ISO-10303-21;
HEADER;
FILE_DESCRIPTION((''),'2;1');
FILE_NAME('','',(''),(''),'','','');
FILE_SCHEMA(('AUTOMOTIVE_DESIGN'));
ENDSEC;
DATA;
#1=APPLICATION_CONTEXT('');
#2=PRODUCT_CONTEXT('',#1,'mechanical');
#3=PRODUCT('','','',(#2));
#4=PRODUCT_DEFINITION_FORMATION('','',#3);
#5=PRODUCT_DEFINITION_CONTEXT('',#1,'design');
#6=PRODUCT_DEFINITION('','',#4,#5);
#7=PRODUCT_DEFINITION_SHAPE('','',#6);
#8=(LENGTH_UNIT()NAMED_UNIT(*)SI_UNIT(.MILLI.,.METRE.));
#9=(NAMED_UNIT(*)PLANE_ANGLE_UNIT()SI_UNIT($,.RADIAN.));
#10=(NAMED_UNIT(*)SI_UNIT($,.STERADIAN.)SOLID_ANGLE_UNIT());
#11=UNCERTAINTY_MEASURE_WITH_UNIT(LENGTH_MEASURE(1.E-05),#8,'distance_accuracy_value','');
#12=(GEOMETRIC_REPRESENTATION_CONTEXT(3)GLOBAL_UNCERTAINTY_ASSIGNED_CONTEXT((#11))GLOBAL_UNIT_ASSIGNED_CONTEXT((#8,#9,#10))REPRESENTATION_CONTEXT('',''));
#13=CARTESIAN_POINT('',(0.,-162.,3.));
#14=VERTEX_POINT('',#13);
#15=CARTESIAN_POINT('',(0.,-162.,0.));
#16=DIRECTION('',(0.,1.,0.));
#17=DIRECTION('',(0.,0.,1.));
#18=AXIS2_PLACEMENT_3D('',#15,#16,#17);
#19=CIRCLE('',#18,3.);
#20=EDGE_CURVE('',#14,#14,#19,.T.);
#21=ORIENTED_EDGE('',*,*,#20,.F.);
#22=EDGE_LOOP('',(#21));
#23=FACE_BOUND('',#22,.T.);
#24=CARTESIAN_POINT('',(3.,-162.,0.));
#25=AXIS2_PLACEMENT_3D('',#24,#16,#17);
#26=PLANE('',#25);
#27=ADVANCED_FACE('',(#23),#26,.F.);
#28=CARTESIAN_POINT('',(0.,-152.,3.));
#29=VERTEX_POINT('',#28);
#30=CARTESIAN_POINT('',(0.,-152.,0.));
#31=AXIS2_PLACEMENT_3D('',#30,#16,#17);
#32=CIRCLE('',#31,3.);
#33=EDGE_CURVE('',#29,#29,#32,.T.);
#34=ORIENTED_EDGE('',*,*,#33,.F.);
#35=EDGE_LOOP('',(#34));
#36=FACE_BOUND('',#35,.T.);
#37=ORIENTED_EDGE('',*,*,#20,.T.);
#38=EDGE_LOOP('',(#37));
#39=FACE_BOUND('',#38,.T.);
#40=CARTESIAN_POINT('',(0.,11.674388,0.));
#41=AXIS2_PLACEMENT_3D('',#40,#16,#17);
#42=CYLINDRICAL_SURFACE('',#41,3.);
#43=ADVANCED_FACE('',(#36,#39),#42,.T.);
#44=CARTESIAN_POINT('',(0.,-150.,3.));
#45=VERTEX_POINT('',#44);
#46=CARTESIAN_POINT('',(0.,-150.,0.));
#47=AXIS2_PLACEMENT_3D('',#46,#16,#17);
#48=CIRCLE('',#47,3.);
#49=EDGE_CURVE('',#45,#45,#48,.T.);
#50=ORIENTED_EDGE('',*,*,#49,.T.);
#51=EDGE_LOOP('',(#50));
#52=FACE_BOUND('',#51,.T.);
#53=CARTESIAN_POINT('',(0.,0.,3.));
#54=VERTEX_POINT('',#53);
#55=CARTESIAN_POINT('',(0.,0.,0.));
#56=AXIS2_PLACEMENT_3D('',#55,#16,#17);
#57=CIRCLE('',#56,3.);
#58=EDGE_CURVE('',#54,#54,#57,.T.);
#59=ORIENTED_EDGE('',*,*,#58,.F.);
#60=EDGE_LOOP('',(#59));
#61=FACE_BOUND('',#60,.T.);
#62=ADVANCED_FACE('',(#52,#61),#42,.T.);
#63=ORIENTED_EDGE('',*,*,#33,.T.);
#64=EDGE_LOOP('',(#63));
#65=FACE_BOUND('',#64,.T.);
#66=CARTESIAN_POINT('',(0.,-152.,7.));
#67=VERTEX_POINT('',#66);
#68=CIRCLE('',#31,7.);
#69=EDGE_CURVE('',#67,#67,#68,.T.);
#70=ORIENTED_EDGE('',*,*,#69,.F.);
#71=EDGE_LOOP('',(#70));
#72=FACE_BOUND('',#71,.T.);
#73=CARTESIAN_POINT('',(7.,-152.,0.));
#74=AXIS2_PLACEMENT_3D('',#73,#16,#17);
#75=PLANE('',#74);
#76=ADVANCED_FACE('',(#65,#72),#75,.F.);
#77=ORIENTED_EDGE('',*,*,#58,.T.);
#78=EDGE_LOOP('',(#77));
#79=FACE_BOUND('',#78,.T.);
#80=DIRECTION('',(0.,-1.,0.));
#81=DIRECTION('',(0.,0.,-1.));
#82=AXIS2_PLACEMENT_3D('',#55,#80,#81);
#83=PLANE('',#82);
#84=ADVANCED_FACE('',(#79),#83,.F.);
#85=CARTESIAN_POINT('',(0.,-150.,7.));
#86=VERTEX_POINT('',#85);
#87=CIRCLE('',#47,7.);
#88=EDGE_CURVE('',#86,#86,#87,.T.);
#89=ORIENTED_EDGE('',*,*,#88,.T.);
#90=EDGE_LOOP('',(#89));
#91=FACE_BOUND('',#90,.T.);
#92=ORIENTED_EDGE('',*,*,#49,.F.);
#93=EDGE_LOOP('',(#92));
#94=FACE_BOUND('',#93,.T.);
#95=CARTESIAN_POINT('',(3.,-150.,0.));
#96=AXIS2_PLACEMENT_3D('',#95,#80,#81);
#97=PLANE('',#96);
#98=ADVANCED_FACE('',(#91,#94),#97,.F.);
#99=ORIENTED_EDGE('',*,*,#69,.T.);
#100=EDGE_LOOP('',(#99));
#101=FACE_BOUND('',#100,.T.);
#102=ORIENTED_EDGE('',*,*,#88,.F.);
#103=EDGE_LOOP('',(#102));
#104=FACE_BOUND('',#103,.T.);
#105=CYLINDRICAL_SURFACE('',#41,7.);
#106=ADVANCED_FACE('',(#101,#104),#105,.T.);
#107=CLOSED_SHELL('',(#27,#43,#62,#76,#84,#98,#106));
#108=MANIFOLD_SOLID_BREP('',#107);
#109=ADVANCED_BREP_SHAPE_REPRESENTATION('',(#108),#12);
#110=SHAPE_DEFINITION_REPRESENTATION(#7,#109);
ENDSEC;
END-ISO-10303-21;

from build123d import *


with BuildPart() as part:
    # Sketch1 → Revolve1 (revolve)
    with BuildSketch(Plane.XY, mode=Mode.PRIVATE) as revolve1_sk:
        Polygon((0, 0), (3, 0), (3, -150), (7, -150), (7, -152), (3, -152), (3, -162), (0, -162), align=None)
    revolve(revolve1_sk.sketch.rotate(Axis((0, 11.674388023, 0), (0, -1, 0)), 90), axis=Axis((0, 11.674388023, 0), (0, -1, 0)))


solid = part.part
